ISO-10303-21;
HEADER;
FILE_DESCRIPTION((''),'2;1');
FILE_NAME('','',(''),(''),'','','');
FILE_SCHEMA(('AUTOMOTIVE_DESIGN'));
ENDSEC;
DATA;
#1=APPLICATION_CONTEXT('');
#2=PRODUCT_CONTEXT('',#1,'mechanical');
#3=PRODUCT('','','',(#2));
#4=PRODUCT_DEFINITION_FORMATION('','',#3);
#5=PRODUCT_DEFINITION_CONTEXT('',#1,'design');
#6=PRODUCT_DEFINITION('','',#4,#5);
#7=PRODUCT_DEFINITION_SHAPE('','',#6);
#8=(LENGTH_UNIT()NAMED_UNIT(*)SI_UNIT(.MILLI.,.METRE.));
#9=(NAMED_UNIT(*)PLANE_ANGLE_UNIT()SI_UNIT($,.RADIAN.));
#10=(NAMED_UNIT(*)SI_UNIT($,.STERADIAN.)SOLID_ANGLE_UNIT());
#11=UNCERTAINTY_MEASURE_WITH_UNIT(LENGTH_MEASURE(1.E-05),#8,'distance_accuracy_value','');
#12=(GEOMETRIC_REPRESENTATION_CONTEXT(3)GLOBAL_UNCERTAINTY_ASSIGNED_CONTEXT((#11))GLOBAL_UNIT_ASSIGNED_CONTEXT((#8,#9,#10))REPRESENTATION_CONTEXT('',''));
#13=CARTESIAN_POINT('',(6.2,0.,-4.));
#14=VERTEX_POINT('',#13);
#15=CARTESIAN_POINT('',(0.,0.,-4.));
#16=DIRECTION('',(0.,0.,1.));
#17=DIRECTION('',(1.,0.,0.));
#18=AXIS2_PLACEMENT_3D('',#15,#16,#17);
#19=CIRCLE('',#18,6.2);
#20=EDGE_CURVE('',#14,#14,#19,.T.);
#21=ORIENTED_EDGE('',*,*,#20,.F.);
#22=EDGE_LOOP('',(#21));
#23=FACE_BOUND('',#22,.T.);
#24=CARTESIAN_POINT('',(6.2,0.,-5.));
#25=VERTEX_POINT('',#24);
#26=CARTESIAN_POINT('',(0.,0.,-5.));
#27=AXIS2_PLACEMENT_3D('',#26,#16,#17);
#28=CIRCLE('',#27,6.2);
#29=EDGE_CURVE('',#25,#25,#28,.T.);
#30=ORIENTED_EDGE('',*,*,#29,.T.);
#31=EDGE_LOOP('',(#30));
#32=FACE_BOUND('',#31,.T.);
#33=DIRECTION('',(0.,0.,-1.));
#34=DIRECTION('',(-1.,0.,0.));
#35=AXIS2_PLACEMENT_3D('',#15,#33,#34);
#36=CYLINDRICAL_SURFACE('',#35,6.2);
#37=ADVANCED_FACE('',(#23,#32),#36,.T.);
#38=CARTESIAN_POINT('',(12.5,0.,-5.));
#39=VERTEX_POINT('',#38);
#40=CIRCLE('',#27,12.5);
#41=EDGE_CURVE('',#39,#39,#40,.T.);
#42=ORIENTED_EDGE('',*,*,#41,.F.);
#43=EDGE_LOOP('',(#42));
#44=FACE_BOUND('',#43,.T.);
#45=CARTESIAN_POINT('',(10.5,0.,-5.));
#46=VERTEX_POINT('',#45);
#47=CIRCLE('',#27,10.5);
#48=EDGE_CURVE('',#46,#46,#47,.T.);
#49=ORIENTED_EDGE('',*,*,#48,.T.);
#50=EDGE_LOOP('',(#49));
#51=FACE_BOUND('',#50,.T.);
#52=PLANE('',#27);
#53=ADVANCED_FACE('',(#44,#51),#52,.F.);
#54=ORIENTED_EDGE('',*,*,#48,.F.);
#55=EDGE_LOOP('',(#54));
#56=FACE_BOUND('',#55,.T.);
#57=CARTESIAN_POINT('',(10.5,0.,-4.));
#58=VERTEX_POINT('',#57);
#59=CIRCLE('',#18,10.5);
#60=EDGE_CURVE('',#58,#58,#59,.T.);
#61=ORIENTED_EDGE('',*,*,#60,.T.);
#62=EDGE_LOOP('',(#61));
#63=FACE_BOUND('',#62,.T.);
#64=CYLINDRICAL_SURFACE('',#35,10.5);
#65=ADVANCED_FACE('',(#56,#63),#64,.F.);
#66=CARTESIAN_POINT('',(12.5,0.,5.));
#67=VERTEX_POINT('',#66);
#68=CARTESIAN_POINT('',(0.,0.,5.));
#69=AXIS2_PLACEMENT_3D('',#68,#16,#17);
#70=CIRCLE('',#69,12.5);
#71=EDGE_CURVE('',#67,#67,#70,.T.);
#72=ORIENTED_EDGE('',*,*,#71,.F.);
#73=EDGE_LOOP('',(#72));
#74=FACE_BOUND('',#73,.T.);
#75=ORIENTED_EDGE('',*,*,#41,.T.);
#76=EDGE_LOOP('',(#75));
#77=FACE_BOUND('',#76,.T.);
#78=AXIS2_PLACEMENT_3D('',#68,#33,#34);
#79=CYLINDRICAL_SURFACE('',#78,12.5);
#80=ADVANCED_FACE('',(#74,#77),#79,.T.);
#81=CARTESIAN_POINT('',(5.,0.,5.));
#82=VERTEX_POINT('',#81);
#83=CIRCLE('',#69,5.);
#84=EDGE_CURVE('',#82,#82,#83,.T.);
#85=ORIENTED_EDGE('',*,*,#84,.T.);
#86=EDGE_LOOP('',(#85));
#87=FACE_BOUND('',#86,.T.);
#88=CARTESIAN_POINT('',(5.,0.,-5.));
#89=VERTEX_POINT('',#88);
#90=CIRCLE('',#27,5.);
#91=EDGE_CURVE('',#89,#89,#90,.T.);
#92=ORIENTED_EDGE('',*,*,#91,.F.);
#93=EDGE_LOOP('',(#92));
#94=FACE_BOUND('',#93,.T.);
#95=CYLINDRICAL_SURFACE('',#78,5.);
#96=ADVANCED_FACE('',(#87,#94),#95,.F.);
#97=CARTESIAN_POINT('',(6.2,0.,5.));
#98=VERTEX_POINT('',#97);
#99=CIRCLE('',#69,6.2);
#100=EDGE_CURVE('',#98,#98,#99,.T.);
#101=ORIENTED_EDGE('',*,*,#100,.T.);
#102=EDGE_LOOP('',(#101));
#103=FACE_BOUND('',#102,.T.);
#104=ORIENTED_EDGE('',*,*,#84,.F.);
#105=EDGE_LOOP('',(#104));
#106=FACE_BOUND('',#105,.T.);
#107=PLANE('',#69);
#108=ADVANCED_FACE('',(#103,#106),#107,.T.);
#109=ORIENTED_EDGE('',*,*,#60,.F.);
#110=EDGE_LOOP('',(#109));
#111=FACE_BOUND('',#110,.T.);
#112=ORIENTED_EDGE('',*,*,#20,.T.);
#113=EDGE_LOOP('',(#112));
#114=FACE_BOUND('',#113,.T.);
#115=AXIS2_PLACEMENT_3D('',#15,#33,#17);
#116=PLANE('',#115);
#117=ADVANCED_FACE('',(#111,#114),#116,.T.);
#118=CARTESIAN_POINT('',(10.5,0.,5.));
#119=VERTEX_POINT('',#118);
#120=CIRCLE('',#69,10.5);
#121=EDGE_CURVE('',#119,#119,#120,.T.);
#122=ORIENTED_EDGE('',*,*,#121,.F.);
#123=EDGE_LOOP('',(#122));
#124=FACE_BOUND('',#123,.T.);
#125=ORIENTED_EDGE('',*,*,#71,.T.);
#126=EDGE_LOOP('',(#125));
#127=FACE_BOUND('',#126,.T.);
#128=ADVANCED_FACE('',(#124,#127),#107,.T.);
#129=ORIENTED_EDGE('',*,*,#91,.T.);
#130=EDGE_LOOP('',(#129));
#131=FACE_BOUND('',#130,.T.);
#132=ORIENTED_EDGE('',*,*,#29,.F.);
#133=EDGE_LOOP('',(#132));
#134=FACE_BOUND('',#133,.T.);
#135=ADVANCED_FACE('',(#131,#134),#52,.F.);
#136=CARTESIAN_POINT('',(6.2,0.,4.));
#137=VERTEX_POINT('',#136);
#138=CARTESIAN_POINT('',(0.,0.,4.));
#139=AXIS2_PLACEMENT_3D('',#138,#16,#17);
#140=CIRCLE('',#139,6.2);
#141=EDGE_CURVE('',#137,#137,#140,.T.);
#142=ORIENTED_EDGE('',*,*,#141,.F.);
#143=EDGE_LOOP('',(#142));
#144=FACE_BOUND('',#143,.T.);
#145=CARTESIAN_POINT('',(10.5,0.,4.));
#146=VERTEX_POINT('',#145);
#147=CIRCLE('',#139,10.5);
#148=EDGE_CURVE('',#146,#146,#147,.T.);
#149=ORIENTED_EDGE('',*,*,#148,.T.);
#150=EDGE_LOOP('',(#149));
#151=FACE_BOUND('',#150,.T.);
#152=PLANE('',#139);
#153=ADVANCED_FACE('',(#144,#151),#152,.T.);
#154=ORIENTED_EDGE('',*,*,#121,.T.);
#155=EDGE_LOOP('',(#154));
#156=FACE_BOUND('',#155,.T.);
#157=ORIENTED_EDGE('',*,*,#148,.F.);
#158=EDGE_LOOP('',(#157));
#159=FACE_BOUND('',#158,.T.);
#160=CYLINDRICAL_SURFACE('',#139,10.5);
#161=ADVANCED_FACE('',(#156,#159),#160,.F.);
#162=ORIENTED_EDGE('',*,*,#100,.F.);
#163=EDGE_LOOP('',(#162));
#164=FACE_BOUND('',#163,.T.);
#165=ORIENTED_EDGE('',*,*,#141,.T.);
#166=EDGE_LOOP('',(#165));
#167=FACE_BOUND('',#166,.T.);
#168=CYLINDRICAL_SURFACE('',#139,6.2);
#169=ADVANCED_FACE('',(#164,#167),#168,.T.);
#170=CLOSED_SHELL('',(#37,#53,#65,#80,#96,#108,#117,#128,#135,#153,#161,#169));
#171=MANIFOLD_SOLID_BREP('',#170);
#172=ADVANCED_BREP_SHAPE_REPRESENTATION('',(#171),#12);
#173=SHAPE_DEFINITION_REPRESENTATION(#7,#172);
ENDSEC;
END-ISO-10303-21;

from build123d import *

# Parameters (mm, degrees)
SKETCH1_R           = 12.5
SKETCH1_R_2         = 5
BOSS_EXTRUDE1_DEPTH = 5
SKETCH2_R           = 10.5
SKETCH2_R_2         = 6.2
CUT_EXTRUDE1_DEPTH  = 1


with BuildPart() as part:
    # Sketch1 → Boss-Extrude1 (new body, symmetric)
    with BuildSketch(Plane.XY):
        Circle(SKETCH1_R)
        Circle(SKETCH1_R_2, mode=Mode.SUBTRACT)
    extrude(amount=BOSS_EXTRUDE1_DEPTH, both=True)

    # Sketch2 → Cut-Extrude1 (cut)
    with BuildSketch(Plane.XY.offset(5)):
        Circle(SKETCH2_R)
        Circle(SKETCH2_R_2, mode=Mode.SUBTRACT)
    cut_extrude1 = extrude(amount=-CUT_EXTRUDE1_DEPTH, mode=Mode.SUBTRACT)

    # Mirror1: Cut-Extrude1 across plane
    add(cut_extrude1.mirror(Plane.XY), mode=Mode.SUBTRACT)


solid = part.part
